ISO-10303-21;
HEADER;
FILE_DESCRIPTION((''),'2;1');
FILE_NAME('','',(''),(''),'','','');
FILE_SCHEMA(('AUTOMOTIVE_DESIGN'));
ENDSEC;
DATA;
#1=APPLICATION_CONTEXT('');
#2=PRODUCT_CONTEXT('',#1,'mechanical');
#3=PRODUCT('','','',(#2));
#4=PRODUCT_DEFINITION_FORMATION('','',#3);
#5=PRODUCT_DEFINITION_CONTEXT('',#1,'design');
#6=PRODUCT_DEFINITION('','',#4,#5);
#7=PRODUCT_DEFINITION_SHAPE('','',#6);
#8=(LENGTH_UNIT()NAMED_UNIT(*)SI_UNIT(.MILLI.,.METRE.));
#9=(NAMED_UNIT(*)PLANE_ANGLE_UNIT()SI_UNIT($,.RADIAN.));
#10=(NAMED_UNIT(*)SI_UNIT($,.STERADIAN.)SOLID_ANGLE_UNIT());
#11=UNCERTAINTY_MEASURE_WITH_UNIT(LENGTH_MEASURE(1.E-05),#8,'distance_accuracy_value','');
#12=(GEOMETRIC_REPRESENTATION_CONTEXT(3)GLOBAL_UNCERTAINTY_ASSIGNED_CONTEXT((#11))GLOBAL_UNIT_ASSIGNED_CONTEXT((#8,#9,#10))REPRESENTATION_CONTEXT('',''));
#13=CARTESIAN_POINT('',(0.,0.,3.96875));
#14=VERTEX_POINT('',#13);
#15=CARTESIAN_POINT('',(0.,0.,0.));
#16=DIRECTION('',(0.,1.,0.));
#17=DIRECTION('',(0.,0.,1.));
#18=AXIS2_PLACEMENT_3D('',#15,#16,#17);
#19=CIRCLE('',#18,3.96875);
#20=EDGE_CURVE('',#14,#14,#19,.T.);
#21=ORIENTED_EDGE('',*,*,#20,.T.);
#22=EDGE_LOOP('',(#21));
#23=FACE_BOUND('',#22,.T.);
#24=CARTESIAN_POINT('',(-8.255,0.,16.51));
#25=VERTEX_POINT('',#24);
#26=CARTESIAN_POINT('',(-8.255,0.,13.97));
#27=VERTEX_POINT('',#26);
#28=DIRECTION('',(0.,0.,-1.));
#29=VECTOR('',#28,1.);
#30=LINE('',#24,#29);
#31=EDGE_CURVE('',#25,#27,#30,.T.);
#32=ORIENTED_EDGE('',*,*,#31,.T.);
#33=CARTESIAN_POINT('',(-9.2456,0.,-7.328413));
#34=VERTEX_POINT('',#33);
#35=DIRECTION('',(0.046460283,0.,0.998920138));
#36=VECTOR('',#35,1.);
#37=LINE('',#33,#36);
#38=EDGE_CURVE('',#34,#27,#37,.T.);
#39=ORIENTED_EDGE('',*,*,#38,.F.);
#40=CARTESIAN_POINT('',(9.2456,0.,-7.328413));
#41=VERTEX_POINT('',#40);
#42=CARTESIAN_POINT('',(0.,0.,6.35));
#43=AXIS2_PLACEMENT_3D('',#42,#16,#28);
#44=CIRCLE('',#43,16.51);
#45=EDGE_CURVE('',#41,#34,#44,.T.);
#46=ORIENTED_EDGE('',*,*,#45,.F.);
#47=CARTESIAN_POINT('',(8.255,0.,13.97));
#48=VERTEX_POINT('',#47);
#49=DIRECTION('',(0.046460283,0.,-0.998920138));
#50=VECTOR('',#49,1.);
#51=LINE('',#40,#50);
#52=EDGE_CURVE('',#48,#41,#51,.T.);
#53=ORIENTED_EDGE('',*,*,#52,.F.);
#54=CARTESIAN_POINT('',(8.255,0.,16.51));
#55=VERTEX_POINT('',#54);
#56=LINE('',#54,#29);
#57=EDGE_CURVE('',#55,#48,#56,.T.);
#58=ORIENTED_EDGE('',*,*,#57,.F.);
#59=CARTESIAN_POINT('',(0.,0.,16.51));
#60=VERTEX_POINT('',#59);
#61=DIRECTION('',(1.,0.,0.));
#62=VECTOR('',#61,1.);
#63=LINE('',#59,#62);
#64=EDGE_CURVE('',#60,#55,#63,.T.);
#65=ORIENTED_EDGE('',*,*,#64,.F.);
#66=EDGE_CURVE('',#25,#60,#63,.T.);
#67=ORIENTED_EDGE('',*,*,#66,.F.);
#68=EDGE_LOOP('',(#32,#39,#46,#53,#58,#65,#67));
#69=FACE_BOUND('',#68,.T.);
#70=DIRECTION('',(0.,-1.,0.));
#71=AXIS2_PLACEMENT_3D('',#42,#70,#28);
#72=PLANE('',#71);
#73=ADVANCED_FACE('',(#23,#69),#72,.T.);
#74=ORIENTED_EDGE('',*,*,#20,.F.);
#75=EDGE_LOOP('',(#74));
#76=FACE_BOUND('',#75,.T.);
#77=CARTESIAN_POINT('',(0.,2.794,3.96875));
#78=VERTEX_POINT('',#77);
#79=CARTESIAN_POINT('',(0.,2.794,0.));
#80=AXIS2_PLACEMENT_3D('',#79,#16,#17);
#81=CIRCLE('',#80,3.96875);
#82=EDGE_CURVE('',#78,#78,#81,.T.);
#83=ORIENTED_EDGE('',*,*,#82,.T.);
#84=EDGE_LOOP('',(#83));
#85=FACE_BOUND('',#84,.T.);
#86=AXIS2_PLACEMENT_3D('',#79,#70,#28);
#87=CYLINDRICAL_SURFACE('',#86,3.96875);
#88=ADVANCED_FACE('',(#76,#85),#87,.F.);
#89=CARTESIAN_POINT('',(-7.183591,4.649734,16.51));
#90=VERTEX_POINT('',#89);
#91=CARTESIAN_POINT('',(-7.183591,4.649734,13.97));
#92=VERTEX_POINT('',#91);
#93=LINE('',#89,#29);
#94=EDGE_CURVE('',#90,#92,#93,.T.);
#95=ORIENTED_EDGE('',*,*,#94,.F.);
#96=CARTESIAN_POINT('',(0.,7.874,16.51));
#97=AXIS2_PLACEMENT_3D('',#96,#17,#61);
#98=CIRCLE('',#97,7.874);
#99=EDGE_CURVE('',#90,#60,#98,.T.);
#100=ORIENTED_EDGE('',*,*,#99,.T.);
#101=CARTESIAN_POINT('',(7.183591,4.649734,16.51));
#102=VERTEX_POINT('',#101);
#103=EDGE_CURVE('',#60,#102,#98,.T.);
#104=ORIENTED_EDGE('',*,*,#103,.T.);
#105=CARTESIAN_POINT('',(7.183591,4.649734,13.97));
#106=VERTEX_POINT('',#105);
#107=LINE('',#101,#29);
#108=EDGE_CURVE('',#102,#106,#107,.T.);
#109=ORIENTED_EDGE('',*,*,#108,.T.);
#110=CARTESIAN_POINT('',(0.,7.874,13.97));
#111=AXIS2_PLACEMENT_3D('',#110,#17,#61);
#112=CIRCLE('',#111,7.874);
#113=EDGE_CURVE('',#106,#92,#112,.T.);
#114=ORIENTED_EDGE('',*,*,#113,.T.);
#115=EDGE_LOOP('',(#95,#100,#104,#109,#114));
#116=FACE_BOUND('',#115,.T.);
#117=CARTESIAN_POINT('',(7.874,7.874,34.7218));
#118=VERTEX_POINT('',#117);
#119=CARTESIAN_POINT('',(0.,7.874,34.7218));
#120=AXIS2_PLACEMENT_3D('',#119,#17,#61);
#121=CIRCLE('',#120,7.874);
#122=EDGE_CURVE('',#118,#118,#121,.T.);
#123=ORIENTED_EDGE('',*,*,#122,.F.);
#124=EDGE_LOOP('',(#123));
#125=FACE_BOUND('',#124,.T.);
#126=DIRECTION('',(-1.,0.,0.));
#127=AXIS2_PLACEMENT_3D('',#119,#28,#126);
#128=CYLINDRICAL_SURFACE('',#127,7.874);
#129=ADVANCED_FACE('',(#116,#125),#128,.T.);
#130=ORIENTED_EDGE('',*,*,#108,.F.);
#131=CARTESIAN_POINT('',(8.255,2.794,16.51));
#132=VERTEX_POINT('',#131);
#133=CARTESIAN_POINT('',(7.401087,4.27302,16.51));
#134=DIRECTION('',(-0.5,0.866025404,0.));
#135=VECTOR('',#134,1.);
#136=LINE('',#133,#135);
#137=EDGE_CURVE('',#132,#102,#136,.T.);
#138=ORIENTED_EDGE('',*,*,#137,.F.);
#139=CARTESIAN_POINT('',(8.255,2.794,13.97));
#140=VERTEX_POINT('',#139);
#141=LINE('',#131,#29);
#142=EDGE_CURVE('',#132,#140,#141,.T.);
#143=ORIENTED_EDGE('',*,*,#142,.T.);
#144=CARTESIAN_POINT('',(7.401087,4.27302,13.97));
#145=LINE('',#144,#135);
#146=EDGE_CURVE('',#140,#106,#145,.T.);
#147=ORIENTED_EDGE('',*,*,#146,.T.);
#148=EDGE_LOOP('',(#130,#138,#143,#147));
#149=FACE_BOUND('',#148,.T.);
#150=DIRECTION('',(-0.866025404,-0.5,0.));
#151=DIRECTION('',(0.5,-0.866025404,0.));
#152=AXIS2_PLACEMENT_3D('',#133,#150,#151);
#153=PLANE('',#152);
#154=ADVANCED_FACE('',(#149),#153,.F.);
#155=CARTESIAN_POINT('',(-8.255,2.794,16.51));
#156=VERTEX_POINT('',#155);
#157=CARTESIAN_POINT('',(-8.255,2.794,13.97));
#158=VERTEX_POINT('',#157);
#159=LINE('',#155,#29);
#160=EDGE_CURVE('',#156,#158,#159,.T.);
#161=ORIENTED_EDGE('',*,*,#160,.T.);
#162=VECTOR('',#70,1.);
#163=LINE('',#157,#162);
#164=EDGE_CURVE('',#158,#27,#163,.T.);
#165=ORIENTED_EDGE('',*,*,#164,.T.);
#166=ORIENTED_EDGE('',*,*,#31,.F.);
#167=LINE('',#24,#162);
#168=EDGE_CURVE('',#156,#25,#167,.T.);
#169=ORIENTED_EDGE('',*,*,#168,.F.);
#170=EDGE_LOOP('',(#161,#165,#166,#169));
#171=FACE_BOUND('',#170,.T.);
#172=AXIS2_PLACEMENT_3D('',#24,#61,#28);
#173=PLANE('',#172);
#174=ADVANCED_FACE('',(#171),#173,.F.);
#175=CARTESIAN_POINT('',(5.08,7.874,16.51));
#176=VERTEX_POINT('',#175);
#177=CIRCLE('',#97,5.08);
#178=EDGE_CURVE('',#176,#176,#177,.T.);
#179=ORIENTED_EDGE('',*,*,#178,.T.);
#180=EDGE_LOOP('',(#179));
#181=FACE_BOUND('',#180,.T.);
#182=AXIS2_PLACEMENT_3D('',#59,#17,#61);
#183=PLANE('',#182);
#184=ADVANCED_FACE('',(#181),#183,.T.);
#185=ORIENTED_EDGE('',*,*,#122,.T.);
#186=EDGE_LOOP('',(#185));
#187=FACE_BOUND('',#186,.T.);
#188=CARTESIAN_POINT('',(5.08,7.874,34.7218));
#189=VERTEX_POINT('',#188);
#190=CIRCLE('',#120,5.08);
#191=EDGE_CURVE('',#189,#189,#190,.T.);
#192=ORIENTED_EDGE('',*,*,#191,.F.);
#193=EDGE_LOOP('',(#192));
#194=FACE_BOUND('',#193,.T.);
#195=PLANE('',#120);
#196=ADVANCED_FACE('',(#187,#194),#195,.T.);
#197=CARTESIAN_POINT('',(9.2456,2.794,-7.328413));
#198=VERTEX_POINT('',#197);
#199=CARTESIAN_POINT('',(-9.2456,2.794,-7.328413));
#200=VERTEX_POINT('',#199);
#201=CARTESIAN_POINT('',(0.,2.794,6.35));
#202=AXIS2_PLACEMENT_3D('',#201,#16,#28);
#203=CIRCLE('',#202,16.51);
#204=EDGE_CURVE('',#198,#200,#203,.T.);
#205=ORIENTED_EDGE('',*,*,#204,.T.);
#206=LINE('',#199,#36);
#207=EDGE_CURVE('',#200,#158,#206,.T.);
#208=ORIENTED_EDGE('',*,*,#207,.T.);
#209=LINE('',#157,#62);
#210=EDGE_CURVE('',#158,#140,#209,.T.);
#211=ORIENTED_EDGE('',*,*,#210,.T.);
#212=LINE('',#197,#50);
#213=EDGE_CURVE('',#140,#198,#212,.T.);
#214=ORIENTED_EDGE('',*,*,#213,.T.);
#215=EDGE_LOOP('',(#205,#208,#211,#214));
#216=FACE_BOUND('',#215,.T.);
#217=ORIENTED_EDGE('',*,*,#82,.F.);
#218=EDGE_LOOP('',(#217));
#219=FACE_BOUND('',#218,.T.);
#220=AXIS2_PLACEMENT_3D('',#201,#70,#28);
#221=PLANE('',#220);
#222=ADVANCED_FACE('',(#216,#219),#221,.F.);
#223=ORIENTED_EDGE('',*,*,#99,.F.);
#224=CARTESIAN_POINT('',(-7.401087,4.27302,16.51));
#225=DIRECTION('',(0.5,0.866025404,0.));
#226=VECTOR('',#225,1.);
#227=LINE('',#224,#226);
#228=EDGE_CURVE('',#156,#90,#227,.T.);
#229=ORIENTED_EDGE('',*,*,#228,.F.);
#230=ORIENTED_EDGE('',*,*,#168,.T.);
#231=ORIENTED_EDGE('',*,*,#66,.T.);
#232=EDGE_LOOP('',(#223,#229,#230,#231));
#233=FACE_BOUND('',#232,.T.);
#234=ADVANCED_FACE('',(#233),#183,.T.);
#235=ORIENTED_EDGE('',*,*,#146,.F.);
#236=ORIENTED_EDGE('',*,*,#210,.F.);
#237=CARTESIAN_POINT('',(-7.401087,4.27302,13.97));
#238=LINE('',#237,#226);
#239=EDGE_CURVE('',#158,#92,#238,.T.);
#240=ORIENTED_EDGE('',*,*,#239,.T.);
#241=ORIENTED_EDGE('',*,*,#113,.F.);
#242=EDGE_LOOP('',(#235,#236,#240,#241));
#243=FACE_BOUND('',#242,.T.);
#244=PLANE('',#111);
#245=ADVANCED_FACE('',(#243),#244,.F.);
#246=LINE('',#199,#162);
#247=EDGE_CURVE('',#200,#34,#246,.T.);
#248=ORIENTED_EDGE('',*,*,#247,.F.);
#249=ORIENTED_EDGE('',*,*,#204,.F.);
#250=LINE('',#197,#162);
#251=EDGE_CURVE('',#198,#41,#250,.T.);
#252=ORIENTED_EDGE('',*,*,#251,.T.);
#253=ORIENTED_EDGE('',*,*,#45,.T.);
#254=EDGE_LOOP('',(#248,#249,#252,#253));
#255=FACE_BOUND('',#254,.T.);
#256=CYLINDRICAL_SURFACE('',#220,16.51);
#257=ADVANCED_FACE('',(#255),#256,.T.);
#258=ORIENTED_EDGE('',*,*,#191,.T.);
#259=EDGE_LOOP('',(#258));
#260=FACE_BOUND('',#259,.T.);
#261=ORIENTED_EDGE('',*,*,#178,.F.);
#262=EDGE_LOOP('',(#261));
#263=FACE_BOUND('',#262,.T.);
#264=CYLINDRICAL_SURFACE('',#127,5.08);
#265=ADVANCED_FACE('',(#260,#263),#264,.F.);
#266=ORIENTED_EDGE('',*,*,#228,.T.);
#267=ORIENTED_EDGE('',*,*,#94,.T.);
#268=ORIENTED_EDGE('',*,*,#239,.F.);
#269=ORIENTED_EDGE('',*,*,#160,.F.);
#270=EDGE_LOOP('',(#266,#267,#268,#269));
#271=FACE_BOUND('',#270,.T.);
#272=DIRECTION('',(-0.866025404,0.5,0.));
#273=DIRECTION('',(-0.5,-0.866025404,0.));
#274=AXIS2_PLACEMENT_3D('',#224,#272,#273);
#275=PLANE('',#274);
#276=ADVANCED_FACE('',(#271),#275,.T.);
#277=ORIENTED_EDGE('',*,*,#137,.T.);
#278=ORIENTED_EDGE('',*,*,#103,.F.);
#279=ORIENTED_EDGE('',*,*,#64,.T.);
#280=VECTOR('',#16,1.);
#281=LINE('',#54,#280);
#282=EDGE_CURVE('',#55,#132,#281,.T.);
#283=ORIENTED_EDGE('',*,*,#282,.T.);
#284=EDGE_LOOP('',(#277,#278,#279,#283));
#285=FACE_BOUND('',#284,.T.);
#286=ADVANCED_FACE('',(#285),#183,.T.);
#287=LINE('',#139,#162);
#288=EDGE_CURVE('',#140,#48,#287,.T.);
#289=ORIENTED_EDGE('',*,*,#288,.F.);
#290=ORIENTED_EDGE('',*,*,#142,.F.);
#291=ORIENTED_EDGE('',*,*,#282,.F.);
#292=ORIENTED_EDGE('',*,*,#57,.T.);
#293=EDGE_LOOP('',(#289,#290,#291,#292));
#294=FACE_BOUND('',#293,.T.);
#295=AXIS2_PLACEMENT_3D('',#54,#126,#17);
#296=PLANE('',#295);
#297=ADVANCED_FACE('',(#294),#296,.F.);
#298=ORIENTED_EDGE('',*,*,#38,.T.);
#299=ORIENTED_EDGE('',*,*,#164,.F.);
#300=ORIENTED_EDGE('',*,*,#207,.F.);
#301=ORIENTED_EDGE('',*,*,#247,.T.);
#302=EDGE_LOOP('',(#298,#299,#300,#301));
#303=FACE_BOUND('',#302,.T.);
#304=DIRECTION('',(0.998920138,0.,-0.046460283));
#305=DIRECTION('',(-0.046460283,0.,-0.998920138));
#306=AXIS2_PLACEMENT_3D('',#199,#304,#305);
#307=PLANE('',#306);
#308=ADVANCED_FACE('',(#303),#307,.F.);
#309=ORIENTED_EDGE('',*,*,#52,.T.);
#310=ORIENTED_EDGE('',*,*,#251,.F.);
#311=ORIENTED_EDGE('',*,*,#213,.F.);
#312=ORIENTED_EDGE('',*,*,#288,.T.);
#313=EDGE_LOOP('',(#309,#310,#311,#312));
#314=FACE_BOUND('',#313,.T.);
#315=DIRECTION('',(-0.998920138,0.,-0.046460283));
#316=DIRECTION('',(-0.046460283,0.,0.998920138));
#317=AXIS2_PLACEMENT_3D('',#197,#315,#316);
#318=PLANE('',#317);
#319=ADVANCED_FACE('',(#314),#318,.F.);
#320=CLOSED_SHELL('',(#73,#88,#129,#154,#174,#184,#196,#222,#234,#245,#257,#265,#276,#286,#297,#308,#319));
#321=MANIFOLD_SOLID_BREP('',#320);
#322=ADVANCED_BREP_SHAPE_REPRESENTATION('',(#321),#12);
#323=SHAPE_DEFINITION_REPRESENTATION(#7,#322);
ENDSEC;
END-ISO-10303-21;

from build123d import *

# Parameters (mm, degrees)
SKETCH1_R                   = 3.96875
LUG_DEPTH                   = 2.794
SKETCH2_R                   = 7.874
SKETCH2_R_2                 = 5.08
CRIMP_SOCKET_DEPTH          = 20.7518
LUG_SOCKET_CONNECTION_DEPTH = 2.54


with BuildPart() as part:
    # Sketch1 → Lug (new body)
    with BuildSketch(Plane(origin=(0, 0, 0), x_dir=(1, 0, 0), z_dir=(0, 1, 0))):
        with BuildLine():
            Line((-9.2456, 7.328412943), (-8.255, -13.97))
            Line((-8.255, -13.97), (8.255, -13.97))
            Line((8.255, -13.97), (9.2456, 7.328412943))
            ThreePointArc((9.2456, 7.328412943), (0, 10.16), (-9.2456, 7.328412943))
        make_face()
        Circle(SKETCH1_R, mode=Mode.SUBTRACT)
    extrude(amount=LUG_DEPTH)

    # Sketch2 → Crimp Socket (add)
    with BuildSketch(Plane.XY.offset(13.97)):
        with Locations((0, 7.874)):
            Circle(SKETCH2_R)
        with Locations((0, 7.874)):
            Circle(SKETCH2_R_2, mode=Mode.SUBTRACT)
    extrude(amount=CRIMP_SOCKET_DEPTH)

    # Sketch3 → Lug Socket Connection (add)
    with BuildSketch(Plane.XY.offset(13.97)):
        with BuildLine():
            Line((8.255, 2.794), (7.183591408, 4.649734117))
            ThreePointArc((7.183591408, 4.649734117), (0, 15.748), (-7.183591408, 4.649734117))
            Line((-7.183591408, 4.649734117), (-8.255, 2.794))
            Line((-8.255, 2.794), (-8.255, 0))
            Line((-8.255, 0), (8.255, 0))
            Line((8.255, 0), (8.255, 2.794))
        make_face()
    extrude(amount=LUG_SOCKET_CONNECTION_DEPTH)


solid = part.part
